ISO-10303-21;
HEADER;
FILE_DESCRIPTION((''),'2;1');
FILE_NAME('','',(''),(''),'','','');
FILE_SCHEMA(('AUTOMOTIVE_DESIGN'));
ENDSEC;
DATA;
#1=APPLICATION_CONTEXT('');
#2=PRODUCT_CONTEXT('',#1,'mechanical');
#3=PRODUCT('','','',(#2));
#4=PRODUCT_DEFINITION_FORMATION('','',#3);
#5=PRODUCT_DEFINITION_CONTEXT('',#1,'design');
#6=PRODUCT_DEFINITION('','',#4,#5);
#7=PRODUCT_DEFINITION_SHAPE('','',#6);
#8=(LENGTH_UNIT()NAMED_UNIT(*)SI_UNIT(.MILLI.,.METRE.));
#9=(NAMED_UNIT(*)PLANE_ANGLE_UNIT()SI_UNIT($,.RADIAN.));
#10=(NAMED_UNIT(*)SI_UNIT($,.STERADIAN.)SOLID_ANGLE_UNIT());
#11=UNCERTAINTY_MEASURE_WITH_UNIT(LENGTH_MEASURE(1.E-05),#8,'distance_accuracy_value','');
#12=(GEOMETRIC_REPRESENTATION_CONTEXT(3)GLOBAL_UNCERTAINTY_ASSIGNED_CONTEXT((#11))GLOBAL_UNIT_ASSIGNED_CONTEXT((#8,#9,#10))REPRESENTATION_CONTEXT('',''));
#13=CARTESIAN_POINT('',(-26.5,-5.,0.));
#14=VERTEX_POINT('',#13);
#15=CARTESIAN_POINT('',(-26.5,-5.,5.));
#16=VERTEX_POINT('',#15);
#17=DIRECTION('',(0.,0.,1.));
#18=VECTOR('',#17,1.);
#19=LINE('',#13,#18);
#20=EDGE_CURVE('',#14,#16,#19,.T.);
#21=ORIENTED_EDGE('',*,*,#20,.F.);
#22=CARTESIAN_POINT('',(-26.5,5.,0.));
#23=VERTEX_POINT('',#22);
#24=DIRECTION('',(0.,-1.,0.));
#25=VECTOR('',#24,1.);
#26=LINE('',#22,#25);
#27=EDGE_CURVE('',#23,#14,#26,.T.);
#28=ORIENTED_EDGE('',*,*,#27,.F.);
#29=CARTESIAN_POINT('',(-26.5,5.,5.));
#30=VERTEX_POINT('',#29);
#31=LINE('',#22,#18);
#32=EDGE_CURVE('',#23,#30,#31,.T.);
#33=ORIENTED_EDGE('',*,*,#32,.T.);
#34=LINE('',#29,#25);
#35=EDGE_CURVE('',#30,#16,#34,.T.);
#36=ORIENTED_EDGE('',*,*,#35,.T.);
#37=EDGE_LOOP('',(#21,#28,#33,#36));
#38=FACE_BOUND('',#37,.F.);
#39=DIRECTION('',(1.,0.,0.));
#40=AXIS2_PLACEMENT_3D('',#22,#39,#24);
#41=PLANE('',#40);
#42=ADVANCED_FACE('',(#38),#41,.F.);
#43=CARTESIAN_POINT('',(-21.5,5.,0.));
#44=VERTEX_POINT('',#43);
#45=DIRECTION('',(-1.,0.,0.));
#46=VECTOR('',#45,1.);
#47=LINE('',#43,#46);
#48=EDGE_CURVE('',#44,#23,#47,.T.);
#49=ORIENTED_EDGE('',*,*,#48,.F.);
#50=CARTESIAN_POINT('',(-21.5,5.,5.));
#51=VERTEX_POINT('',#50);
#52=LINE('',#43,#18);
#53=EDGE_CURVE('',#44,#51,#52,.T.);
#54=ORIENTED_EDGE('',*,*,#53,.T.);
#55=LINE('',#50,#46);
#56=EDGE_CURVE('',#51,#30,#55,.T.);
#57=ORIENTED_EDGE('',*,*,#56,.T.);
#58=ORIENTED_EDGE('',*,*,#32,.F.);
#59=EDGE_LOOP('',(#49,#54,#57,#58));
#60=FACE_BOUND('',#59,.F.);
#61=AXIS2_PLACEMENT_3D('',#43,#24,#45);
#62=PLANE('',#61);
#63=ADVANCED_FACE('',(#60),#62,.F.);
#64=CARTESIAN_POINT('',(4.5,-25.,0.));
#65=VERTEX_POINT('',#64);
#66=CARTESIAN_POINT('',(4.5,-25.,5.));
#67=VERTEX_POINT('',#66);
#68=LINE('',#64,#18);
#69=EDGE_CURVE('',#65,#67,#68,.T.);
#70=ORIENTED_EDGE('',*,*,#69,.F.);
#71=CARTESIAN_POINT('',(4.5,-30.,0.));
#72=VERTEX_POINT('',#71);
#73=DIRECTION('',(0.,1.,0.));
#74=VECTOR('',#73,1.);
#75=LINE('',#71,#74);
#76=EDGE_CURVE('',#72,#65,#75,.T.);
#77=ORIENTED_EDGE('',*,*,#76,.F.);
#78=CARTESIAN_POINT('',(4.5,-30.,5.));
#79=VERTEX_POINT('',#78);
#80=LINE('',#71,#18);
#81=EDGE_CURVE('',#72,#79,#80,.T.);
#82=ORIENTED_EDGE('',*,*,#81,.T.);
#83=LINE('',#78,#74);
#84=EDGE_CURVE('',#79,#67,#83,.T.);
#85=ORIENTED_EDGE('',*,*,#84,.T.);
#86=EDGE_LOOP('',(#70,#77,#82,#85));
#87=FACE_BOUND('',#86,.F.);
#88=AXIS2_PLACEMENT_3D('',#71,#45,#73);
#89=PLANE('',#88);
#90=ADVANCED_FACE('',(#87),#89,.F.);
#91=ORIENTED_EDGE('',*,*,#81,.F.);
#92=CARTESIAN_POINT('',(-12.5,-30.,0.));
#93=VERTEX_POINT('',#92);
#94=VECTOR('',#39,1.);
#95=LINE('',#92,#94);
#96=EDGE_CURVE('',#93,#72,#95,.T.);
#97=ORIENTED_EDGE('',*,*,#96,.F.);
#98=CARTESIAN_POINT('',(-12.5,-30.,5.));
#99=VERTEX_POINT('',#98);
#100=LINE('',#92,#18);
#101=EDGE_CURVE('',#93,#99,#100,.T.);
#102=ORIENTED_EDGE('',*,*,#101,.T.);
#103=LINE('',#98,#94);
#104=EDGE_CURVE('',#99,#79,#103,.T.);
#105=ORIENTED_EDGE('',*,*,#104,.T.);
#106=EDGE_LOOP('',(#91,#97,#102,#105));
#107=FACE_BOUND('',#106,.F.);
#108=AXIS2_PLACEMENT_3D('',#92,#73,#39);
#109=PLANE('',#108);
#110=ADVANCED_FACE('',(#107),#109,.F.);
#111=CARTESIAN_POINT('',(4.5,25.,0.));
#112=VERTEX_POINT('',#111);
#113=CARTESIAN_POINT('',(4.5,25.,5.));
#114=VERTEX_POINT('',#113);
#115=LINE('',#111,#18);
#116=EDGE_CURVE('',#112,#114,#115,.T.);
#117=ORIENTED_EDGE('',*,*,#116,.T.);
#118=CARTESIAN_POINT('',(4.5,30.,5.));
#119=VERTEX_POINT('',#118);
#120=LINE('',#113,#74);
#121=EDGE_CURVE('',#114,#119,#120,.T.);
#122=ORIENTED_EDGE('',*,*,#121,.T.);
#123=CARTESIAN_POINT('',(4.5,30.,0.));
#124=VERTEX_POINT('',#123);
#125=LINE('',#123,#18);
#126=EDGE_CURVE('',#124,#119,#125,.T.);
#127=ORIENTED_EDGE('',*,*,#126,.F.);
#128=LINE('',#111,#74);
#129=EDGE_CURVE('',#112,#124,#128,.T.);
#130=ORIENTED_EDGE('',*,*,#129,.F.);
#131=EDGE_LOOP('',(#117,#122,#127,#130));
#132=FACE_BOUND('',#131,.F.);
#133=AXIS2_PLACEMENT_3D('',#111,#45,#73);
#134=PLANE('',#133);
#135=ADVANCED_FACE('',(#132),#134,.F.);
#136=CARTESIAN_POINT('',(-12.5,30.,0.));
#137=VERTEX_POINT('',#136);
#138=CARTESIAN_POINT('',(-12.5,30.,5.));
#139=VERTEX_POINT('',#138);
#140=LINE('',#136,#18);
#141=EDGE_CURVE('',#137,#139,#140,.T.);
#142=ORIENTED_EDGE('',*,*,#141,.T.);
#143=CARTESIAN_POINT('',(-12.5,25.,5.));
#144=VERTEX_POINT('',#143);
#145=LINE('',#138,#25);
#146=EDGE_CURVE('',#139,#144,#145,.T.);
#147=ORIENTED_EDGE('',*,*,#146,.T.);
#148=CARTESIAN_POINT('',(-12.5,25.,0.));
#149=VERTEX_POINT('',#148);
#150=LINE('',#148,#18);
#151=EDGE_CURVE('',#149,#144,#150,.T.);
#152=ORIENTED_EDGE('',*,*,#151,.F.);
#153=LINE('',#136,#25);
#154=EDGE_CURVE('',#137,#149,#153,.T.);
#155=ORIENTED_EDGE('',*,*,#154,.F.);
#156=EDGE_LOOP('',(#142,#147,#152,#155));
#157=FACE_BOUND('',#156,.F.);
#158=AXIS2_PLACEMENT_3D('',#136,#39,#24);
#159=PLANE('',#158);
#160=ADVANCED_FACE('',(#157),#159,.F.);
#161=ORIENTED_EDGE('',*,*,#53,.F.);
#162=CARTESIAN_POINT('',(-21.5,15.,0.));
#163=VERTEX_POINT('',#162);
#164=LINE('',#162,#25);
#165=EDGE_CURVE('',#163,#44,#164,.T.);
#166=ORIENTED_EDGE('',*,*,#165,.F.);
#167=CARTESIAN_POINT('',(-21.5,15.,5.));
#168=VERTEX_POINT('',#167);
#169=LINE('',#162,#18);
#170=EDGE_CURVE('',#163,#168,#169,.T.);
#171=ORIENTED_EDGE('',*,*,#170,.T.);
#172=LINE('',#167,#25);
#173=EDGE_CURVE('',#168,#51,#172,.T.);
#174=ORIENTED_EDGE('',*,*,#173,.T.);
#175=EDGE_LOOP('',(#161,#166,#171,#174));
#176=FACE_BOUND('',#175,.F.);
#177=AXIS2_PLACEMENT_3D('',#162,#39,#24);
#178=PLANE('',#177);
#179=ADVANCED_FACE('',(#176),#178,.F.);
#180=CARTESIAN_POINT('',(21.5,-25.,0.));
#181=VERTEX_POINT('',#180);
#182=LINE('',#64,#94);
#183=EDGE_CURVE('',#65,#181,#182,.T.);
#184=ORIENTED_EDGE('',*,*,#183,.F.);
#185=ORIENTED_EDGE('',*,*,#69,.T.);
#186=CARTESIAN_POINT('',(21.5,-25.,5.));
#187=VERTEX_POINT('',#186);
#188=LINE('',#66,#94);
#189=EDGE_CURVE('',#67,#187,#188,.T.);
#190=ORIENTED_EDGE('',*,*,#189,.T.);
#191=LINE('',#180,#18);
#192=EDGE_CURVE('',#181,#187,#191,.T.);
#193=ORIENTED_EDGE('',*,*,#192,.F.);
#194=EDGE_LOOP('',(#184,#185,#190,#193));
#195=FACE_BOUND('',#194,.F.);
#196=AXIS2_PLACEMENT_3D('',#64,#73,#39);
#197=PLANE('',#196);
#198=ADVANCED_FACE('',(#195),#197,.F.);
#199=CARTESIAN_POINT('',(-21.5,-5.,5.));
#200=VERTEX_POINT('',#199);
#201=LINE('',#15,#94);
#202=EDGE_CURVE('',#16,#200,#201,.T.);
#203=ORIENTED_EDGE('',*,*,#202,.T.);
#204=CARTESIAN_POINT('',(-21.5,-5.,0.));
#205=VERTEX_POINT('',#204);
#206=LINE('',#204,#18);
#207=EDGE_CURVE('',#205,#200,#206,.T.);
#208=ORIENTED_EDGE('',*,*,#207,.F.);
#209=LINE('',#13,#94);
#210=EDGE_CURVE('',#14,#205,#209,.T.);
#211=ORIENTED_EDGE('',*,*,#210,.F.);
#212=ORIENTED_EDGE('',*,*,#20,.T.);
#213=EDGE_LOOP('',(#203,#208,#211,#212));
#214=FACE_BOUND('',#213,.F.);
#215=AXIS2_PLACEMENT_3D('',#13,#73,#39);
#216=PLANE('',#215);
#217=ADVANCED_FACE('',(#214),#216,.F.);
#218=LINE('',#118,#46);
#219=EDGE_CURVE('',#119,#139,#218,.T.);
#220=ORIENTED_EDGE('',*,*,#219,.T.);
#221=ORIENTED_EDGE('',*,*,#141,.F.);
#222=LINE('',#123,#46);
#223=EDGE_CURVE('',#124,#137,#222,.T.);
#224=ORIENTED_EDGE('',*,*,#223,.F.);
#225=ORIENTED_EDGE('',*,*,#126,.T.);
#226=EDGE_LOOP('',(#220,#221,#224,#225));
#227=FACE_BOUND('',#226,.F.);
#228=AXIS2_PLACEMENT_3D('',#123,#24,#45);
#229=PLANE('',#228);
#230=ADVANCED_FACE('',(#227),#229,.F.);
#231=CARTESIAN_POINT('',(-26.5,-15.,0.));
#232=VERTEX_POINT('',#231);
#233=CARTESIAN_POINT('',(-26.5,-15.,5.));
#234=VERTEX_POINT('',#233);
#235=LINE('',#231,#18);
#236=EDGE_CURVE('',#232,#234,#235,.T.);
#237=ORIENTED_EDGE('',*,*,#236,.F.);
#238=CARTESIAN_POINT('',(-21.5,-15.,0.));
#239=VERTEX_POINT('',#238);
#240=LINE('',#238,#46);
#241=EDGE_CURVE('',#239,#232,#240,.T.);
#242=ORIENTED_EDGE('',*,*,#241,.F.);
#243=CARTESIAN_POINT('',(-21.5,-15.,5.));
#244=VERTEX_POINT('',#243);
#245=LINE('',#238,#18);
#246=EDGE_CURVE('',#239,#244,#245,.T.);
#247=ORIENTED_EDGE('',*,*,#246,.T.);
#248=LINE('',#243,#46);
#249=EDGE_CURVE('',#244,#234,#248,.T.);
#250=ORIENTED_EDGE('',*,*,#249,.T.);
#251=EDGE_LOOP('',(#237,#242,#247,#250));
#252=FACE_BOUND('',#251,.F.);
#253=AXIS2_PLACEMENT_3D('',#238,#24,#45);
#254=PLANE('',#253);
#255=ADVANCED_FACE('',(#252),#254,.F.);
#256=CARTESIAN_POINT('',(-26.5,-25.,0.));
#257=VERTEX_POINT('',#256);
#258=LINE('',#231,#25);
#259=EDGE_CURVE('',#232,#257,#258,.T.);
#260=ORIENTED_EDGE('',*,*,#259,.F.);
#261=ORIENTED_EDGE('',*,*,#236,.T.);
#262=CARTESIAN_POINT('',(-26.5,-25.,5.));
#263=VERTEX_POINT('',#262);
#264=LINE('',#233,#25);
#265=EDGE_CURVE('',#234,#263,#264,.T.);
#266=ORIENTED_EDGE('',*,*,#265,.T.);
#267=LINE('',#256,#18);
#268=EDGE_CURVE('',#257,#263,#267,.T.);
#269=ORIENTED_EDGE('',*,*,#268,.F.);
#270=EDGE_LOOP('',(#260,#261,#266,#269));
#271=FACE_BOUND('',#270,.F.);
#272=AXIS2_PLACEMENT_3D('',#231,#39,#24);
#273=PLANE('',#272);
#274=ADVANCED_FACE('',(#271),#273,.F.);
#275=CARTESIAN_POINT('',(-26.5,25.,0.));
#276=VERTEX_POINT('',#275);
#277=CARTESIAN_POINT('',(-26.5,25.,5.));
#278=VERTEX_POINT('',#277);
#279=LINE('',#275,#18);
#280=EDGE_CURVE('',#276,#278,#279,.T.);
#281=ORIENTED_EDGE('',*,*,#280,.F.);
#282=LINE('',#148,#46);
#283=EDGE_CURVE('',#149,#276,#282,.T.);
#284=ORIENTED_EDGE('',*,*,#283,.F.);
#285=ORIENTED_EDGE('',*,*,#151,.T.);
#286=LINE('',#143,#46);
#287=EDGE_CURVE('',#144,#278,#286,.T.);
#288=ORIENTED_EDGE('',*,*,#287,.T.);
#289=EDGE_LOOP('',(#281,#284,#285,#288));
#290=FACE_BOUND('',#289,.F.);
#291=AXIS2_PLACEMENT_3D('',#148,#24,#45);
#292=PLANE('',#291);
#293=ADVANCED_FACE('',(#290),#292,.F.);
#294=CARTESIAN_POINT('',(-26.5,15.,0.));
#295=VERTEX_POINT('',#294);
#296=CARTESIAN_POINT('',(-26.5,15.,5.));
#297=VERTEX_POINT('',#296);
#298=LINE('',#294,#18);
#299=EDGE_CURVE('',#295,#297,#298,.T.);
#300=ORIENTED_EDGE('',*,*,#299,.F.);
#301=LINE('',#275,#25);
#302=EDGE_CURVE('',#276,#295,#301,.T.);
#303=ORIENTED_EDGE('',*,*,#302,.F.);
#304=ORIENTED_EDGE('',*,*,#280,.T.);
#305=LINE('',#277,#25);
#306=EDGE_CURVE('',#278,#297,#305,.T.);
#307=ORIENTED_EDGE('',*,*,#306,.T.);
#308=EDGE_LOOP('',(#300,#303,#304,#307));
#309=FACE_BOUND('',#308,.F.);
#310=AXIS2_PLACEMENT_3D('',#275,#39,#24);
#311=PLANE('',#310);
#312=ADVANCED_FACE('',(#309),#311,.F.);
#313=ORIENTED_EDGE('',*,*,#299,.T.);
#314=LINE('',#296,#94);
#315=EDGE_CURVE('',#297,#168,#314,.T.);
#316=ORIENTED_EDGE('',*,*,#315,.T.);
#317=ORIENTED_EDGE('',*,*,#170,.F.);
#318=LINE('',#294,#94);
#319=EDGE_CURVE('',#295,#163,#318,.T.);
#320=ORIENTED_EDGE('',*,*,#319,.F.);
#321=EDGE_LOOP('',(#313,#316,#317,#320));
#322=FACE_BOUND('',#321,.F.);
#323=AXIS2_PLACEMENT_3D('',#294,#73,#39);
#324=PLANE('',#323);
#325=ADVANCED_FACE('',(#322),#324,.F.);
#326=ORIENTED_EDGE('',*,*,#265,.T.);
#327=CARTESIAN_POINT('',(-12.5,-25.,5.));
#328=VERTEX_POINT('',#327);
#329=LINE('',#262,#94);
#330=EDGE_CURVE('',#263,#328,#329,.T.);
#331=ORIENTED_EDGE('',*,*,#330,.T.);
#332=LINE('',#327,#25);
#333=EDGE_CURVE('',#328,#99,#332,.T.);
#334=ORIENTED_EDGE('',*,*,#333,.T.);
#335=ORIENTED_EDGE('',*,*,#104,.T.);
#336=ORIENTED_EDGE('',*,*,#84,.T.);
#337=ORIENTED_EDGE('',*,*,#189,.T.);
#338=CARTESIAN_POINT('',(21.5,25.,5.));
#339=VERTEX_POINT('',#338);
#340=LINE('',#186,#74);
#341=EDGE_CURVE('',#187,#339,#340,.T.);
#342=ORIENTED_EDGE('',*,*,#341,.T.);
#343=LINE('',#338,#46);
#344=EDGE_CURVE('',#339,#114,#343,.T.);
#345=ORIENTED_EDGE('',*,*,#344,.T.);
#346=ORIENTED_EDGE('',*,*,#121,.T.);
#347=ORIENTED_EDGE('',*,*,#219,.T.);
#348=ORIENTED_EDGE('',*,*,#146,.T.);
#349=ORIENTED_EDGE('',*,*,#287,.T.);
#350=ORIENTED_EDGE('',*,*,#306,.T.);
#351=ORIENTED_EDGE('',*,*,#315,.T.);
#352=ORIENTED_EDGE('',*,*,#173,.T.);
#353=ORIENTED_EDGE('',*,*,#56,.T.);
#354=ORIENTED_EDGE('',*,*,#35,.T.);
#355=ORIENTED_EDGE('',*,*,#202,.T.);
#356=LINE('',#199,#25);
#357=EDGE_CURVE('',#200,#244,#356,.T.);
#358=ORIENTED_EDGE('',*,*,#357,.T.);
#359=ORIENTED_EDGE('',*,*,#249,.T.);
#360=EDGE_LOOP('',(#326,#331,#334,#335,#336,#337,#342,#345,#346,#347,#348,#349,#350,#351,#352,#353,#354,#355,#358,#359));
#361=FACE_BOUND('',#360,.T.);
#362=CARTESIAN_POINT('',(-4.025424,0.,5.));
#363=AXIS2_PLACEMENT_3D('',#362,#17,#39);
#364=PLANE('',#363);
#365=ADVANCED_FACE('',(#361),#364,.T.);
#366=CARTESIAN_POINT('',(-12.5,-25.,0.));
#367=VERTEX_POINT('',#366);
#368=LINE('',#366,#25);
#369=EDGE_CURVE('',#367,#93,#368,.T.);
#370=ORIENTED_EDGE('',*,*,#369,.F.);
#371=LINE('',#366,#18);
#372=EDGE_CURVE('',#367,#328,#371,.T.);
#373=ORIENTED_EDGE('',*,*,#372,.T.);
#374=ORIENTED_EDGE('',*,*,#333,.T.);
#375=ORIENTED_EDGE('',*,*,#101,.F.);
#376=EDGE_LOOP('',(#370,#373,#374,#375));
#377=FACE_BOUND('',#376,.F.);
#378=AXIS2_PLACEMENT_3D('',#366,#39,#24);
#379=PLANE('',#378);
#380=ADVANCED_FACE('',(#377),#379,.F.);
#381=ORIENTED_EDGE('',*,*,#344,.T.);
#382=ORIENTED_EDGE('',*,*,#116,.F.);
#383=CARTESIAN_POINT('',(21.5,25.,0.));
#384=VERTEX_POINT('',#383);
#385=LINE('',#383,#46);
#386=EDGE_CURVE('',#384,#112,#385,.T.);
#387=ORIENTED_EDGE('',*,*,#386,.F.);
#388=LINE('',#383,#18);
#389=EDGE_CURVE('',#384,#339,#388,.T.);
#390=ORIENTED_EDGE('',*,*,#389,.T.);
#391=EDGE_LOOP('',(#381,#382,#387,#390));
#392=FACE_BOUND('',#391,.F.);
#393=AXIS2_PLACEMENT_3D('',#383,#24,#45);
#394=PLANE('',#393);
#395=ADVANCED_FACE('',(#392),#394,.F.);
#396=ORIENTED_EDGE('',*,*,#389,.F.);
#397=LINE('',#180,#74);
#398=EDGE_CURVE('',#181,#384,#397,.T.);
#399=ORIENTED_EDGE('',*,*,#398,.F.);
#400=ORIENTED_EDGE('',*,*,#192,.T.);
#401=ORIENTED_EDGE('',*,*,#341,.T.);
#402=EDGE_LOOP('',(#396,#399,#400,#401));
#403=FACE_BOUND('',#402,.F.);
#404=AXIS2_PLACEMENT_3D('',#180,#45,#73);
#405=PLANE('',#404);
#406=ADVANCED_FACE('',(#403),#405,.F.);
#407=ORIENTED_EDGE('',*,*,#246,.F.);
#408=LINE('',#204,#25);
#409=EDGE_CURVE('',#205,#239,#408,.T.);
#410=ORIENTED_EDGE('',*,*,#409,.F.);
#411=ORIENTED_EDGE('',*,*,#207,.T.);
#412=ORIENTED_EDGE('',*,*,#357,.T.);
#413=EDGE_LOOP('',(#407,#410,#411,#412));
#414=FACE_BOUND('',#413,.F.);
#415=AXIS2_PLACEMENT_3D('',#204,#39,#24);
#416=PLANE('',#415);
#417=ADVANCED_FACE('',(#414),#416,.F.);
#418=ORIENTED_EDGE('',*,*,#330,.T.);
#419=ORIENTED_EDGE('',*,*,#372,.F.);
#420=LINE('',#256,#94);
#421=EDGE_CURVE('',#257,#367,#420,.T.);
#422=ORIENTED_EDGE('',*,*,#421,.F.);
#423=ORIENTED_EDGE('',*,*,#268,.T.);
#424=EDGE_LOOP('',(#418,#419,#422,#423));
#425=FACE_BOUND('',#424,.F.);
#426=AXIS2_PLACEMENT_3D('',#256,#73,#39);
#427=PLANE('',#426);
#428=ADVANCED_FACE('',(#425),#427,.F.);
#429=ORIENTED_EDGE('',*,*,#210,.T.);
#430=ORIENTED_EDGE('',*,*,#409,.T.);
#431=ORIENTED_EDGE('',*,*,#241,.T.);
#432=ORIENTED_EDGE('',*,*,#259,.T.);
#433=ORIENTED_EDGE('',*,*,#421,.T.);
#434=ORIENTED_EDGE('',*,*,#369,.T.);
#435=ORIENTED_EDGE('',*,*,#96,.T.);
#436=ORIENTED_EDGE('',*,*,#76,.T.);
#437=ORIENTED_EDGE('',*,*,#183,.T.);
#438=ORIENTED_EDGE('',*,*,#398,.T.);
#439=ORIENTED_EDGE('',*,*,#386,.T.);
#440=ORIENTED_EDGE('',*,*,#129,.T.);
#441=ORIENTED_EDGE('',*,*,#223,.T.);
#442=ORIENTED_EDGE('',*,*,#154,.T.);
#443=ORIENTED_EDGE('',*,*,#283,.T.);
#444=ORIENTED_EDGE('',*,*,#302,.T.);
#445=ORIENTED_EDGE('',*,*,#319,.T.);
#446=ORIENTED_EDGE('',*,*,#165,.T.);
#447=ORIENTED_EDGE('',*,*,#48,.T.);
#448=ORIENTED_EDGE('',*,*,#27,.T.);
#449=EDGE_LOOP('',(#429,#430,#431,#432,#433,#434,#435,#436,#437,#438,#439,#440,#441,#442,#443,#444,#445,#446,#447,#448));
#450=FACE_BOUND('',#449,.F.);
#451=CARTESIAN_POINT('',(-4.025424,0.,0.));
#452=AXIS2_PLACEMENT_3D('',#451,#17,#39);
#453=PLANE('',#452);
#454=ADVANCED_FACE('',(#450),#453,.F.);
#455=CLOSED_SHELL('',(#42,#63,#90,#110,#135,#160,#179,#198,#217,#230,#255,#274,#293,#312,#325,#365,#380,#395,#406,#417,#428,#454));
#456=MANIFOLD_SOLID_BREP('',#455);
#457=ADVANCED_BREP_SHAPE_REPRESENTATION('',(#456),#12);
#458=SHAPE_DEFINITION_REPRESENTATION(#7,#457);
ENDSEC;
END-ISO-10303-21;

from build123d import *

# Parameters (mm, degrees)
F1_DEPTH = 5


with BuildPart() as f1:
    # F0 (on Top) → F1 (new body)
    with BuildSketch(Plane.XY):
        Polygon((21.5, -25), (21.5, 25), (4.5, 25), (4.5, 30), (-12.5, 30), (-12.5, 25), (-21.5, 25), (-26.5, 25), (-26.5, 15), (-21.5, 15), (-21.5, 5), (-26.5, 5), (-26.5, -5), (-21.5, -5), (-21.5, -15), (-26.5, -15), (-26.5, -25), (-21.5, -25), (-12.5, -25), (-12.5, -30), (4.5, -30), (4.5, -25), align=None)
    extrude(amount=F1_DEPTH)


solid = f1.part
